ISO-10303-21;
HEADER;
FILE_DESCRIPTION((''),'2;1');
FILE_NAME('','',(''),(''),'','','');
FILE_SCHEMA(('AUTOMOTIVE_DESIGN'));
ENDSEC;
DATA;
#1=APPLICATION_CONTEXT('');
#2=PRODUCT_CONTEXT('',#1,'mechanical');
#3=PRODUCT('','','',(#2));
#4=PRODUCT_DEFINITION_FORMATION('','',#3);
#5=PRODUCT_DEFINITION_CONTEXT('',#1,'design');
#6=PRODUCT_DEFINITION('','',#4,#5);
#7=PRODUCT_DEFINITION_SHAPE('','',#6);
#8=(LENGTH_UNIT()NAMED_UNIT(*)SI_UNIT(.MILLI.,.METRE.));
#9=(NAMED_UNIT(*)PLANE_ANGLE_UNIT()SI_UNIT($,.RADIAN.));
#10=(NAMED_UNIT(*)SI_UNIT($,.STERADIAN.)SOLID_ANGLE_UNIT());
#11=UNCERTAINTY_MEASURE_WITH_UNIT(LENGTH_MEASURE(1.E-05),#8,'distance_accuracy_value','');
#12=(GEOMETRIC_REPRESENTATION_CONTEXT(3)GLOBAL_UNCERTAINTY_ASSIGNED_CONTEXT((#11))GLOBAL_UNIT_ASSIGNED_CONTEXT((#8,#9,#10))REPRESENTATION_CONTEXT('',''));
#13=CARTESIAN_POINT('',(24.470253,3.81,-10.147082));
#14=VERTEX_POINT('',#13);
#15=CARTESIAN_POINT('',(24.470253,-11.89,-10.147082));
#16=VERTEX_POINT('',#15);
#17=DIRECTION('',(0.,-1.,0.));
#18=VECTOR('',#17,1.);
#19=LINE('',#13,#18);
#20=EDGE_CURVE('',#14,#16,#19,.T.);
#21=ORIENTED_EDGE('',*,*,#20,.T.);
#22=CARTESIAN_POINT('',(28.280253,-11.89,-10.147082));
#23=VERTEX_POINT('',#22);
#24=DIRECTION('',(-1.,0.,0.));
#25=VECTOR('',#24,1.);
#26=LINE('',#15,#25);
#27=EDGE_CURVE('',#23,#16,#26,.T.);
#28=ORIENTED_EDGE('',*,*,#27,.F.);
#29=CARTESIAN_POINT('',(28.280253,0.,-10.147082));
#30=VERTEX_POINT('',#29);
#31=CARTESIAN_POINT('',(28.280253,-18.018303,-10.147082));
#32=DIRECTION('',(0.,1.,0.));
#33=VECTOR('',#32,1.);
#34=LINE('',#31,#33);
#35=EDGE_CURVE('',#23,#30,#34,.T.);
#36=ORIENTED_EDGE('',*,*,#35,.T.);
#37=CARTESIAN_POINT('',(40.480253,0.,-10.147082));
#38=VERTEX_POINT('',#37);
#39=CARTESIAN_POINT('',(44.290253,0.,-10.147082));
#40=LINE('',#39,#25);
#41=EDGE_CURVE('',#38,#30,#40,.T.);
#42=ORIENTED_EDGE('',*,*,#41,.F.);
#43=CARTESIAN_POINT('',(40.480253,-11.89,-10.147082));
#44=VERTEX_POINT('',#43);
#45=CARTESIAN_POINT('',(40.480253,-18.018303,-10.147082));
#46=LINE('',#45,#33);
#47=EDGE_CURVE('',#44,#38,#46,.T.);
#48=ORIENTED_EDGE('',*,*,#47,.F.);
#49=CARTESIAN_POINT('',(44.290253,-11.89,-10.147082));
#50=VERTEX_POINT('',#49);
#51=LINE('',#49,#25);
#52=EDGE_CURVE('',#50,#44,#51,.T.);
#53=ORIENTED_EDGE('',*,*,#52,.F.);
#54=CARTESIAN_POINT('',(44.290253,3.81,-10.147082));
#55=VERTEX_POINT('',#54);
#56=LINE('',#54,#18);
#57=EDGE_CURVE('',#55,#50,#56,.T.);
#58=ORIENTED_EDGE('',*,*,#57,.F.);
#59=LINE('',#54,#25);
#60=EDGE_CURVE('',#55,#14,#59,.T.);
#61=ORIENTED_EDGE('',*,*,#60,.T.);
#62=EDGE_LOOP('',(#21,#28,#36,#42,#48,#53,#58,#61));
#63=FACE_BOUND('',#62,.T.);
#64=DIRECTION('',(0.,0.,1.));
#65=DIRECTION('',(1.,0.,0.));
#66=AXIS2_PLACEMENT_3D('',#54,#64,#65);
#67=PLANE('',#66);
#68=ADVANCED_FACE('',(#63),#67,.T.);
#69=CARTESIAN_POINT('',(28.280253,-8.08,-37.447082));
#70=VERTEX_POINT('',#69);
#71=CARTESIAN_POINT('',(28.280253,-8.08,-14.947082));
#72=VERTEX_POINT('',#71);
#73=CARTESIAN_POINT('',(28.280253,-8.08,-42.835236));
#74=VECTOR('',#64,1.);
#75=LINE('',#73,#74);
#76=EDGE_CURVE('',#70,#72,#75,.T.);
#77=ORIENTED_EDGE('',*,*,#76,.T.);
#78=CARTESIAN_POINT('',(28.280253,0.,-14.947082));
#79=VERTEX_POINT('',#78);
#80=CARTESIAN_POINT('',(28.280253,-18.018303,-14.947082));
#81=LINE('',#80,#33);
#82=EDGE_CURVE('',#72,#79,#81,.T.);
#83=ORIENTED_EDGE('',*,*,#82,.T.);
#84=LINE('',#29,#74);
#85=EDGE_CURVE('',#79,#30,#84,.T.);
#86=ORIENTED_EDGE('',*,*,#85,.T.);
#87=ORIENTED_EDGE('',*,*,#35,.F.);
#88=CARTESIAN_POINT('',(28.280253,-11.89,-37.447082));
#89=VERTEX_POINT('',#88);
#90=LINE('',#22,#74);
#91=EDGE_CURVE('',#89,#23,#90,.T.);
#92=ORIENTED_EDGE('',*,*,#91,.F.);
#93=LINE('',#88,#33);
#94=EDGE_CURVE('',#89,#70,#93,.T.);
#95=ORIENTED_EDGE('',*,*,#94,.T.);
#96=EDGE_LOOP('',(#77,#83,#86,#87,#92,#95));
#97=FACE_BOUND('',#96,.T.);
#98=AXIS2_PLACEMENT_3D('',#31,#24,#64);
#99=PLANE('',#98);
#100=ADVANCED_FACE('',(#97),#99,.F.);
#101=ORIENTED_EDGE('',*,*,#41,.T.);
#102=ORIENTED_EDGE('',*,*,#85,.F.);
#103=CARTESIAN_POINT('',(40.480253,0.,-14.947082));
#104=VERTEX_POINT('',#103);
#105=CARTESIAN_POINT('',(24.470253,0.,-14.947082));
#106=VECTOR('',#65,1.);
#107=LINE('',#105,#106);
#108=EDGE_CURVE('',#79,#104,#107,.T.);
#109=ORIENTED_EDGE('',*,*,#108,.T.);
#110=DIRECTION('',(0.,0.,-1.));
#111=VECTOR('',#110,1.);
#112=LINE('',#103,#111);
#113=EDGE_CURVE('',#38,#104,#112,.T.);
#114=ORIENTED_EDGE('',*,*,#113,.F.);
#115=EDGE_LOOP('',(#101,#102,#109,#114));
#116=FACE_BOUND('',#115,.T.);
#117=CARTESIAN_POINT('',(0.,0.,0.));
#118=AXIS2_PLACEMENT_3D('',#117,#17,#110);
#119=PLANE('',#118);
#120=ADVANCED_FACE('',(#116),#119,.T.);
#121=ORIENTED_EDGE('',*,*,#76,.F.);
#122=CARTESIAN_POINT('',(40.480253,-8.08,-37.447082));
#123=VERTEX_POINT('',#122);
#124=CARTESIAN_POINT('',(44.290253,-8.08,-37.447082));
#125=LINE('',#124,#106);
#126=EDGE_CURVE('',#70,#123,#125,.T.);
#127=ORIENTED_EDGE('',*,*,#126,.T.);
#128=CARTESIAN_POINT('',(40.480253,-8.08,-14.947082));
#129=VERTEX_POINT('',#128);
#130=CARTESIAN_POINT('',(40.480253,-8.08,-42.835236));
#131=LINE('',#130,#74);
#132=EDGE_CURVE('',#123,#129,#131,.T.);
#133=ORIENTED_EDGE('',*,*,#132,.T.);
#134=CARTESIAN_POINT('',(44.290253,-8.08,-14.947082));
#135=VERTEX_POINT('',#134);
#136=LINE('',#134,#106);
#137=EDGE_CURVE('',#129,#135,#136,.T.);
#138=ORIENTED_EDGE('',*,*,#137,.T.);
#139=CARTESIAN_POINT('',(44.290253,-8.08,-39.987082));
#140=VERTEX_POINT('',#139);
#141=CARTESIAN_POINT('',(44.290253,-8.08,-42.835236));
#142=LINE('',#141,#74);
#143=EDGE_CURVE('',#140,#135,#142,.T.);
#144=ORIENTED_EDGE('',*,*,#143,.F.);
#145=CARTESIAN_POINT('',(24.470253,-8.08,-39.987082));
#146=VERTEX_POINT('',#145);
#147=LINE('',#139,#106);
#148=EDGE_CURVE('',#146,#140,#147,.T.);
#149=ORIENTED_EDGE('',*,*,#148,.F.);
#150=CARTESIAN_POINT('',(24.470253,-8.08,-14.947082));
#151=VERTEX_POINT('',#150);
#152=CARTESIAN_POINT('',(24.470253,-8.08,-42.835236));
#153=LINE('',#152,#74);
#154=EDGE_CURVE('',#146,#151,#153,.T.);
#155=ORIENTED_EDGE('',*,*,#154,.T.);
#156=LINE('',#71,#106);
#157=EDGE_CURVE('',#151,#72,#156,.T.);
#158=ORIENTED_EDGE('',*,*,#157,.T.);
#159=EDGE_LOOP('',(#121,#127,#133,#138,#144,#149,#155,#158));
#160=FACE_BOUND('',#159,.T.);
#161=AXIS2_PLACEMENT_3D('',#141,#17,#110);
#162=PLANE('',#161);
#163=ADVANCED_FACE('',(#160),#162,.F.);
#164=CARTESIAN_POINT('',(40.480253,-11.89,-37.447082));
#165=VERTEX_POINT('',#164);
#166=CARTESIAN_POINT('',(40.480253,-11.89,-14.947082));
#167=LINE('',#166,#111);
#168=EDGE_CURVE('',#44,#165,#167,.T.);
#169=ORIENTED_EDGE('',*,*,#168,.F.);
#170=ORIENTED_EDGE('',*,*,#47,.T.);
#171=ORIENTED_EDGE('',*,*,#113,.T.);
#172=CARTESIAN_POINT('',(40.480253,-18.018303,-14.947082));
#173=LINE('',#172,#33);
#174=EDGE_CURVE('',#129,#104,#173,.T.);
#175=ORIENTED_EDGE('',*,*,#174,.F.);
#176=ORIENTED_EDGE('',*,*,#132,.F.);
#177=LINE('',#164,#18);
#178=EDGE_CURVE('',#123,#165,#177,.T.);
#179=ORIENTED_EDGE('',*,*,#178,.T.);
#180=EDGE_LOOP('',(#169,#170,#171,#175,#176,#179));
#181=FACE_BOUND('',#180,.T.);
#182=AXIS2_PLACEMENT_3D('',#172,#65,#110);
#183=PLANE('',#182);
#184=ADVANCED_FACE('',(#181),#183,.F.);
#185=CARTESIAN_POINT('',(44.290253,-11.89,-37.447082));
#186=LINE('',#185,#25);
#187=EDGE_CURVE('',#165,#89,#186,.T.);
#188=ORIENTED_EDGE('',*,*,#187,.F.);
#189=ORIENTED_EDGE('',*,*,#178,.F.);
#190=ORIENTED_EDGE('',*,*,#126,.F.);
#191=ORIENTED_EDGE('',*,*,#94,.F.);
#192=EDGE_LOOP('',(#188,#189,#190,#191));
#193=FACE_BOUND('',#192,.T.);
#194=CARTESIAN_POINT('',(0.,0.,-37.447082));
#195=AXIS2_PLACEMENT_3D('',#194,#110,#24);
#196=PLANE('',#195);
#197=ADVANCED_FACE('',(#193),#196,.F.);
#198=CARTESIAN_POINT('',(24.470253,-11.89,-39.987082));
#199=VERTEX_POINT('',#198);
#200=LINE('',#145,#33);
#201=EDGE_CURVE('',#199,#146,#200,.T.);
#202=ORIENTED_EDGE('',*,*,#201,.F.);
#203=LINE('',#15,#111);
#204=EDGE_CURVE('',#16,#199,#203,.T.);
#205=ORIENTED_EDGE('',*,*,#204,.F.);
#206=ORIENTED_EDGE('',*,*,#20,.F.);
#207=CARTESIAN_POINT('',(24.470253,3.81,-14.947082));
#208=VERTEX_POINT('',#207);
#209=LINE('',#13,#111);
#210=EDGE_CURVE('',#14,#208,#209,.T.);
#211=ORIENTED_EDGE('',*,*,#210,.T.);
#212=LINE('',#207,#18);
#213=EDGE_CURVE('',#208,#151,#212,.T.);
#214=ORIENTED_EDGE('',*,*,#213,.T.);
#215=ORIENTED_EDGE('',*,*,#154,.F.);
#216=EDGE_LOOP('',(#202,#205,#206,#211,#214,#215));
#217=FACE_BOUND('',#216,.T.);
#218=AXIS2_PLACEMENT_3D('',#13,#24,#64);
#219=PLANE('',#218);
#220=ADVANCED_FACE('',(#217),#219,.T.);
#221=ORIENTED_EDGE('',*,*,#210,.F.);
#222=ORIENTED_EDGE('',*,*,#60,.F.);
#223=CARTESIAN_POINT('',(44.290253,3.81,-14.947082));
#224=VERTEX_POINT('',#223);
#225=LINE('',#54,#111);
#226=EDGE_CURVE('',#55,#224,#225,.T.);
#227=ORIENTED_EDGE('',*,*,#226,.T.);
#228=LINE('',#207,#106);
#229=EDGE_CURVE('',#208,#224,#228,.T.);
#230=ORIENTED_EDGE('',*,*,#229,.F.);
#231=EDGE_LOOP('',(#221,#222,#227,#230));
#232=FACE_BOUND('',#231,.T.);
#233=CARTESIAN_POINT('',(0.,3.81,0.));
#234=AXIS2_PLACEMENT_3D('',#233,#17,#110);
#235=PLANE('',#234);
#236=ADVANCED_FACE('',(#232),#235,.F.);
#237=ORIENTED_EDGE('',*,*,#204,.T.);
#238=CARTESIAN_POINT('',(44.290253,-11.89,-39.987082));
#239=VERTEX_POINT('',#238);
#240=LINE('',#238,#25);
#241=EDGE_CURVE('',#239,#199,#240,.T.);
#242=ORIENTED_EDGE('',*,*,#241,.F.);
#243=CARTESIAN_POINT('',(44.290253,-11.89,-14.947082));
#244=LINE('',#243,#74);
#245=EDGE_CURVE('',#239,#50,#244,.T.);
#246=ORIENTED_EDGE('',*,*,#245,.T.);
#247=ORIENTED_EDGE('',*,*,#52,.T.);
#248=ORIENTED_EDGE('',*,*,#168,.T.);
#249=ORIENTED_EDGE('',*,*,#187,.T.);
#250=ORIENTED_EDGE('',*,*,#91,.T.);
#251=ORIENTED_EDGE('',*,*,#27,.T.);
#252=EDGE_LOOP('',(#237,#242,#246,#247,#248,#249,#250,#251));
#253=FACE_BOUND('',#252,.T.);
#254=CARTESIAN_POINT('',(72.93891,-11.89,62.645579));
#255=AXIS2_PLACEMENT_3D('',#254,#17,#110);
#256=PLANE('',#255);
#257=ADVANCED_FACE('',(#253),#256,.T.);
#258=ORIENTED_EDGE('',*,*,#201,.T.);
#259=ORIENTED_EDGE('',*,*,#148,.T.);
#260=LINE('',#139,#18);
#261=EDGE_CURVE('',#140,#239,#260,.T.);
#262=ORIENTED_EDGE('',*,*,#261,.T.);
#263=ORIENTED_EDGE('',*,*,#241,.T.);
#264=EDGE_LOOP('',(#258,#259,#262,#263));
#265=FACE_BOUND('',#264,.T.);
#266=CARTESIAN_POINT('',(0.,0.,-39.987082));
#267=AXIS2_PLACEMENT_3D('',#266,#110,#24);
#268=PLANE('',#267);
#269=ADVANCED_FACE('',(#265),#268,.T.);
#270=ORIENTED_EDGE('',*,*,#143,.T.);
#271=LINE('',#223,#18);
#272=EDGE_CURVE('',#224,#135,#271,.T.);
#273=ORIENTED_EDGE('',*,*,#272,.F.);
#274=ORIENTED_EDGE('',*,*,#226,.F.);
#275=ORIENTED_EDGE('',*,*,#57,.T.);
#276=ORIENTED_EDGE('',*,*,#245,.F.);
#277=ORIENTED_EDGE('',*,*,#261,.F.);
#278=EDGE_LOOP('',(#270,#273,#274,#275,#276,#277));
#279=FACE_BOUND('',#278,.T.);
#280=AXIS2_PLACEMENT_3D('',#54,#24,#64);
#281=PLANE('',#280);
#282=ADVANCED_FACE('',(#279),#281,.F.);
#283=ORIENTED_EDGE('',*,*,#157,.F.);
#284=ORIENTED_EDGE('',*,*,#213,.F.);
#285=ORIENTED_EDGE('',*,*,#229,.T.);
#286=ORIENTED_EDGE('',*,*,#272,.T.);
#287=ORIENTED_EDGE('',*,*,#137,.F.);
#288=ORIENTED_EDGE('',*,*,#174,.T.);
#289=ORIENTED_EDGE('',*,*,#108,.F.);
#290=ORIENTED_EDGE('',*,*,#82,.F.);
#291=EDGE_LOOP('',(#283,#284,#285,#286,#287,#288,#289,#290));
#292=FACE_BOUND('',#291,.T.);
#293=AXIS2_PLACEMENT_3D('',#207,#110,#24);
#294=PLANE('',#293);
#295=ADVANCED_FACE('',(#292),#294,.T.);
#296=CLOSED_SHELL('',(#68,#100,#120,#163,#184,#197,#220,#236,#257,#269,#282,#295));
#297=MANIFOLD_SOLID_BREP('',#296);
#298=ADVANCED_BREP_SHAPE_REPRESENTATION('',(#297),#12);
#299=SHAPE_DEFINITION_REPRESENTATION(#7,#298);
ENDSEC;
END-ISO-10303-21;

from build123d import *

# Parameters (mm, degrees)
SKETCH1_W           = 19.82
SKETCH1_H           = 4.8
BOSS_EXTRUDE1_DEPTH = 3.81
SKETCH2_W           = 3.81
SKETCH2_H           = 4.8
BOSS_EXTRUDE2_DEPTH = 11.89
SKETCH3_W           = 3.81
SKETCH3_H           = 3.81
BOSS_EXTRUDE3_DEPTH = 22.5
SKETCH4_W           = 19.82
SKETCH4_H           = 3.81
BOSS_EXTRUDE4_DEPTH = 2.54


with BuildPart() as part:
    # Sketch1 → Boss-Extrude1 (new body)
    with BuildSketch(Plane(origin=(0, 0, 0), x_dir=(1, 0, 0), z_dir=(0, 1, 0))):
        with Locations((34.380252927, 12.547082461)):
            Rectangle(SKETCH1_W, SKETCH1_H)
    extrude(amount=BOSS_EXTRUDE1_DEPTH)

    # Sketch2 → Boss-Extrude2 (add)
    with BuildSketch(Plane.XZ):
        with Locations((26.375252927, -12.547082461)):
            Rectangle(SKETCH2_W, SKETCH2_H)
        with Locations((42.385252927, -12.547082461)):
            Rectangle(SKETCH2_W, SKETCH2_H)
    extrude(amount=BOSS_EXTRUDE2_DEPTH)

    # Sketch3 → Boss-Extrude3 (add)
    with BuildSketch(Plane(origin=(0, 0, -14.947082461), x_dir=(-1, 0, 0), z_dir=(0, 0, -1))):
        with Locations((-42.385252927, -9.985)):
            Rectangle(SKETCH3_W, SKETCH3_H)
        with Locations((-26.375252927, -9.985)):
            Rectangle(SKETCH3_W, SKETCH3_H)
    extrude(amount=BOSS_EXTRUDE3_DEPTH)

    # Sketch4 → Boss-Extrude4 (add)
    with BuildSketch(Plane(origin=(0, 0, -37.447082461), x_dir=(-1, 0, 0), z_dir=(0, 0, -1))):
        with Locations((-34.380252927, -9.985)):
            Rectangle(SKETCH4_W, SKETCH4_H)
    extrude(amount=BOSS_EXTRUDE4_DEPTH)


solid = part.part
